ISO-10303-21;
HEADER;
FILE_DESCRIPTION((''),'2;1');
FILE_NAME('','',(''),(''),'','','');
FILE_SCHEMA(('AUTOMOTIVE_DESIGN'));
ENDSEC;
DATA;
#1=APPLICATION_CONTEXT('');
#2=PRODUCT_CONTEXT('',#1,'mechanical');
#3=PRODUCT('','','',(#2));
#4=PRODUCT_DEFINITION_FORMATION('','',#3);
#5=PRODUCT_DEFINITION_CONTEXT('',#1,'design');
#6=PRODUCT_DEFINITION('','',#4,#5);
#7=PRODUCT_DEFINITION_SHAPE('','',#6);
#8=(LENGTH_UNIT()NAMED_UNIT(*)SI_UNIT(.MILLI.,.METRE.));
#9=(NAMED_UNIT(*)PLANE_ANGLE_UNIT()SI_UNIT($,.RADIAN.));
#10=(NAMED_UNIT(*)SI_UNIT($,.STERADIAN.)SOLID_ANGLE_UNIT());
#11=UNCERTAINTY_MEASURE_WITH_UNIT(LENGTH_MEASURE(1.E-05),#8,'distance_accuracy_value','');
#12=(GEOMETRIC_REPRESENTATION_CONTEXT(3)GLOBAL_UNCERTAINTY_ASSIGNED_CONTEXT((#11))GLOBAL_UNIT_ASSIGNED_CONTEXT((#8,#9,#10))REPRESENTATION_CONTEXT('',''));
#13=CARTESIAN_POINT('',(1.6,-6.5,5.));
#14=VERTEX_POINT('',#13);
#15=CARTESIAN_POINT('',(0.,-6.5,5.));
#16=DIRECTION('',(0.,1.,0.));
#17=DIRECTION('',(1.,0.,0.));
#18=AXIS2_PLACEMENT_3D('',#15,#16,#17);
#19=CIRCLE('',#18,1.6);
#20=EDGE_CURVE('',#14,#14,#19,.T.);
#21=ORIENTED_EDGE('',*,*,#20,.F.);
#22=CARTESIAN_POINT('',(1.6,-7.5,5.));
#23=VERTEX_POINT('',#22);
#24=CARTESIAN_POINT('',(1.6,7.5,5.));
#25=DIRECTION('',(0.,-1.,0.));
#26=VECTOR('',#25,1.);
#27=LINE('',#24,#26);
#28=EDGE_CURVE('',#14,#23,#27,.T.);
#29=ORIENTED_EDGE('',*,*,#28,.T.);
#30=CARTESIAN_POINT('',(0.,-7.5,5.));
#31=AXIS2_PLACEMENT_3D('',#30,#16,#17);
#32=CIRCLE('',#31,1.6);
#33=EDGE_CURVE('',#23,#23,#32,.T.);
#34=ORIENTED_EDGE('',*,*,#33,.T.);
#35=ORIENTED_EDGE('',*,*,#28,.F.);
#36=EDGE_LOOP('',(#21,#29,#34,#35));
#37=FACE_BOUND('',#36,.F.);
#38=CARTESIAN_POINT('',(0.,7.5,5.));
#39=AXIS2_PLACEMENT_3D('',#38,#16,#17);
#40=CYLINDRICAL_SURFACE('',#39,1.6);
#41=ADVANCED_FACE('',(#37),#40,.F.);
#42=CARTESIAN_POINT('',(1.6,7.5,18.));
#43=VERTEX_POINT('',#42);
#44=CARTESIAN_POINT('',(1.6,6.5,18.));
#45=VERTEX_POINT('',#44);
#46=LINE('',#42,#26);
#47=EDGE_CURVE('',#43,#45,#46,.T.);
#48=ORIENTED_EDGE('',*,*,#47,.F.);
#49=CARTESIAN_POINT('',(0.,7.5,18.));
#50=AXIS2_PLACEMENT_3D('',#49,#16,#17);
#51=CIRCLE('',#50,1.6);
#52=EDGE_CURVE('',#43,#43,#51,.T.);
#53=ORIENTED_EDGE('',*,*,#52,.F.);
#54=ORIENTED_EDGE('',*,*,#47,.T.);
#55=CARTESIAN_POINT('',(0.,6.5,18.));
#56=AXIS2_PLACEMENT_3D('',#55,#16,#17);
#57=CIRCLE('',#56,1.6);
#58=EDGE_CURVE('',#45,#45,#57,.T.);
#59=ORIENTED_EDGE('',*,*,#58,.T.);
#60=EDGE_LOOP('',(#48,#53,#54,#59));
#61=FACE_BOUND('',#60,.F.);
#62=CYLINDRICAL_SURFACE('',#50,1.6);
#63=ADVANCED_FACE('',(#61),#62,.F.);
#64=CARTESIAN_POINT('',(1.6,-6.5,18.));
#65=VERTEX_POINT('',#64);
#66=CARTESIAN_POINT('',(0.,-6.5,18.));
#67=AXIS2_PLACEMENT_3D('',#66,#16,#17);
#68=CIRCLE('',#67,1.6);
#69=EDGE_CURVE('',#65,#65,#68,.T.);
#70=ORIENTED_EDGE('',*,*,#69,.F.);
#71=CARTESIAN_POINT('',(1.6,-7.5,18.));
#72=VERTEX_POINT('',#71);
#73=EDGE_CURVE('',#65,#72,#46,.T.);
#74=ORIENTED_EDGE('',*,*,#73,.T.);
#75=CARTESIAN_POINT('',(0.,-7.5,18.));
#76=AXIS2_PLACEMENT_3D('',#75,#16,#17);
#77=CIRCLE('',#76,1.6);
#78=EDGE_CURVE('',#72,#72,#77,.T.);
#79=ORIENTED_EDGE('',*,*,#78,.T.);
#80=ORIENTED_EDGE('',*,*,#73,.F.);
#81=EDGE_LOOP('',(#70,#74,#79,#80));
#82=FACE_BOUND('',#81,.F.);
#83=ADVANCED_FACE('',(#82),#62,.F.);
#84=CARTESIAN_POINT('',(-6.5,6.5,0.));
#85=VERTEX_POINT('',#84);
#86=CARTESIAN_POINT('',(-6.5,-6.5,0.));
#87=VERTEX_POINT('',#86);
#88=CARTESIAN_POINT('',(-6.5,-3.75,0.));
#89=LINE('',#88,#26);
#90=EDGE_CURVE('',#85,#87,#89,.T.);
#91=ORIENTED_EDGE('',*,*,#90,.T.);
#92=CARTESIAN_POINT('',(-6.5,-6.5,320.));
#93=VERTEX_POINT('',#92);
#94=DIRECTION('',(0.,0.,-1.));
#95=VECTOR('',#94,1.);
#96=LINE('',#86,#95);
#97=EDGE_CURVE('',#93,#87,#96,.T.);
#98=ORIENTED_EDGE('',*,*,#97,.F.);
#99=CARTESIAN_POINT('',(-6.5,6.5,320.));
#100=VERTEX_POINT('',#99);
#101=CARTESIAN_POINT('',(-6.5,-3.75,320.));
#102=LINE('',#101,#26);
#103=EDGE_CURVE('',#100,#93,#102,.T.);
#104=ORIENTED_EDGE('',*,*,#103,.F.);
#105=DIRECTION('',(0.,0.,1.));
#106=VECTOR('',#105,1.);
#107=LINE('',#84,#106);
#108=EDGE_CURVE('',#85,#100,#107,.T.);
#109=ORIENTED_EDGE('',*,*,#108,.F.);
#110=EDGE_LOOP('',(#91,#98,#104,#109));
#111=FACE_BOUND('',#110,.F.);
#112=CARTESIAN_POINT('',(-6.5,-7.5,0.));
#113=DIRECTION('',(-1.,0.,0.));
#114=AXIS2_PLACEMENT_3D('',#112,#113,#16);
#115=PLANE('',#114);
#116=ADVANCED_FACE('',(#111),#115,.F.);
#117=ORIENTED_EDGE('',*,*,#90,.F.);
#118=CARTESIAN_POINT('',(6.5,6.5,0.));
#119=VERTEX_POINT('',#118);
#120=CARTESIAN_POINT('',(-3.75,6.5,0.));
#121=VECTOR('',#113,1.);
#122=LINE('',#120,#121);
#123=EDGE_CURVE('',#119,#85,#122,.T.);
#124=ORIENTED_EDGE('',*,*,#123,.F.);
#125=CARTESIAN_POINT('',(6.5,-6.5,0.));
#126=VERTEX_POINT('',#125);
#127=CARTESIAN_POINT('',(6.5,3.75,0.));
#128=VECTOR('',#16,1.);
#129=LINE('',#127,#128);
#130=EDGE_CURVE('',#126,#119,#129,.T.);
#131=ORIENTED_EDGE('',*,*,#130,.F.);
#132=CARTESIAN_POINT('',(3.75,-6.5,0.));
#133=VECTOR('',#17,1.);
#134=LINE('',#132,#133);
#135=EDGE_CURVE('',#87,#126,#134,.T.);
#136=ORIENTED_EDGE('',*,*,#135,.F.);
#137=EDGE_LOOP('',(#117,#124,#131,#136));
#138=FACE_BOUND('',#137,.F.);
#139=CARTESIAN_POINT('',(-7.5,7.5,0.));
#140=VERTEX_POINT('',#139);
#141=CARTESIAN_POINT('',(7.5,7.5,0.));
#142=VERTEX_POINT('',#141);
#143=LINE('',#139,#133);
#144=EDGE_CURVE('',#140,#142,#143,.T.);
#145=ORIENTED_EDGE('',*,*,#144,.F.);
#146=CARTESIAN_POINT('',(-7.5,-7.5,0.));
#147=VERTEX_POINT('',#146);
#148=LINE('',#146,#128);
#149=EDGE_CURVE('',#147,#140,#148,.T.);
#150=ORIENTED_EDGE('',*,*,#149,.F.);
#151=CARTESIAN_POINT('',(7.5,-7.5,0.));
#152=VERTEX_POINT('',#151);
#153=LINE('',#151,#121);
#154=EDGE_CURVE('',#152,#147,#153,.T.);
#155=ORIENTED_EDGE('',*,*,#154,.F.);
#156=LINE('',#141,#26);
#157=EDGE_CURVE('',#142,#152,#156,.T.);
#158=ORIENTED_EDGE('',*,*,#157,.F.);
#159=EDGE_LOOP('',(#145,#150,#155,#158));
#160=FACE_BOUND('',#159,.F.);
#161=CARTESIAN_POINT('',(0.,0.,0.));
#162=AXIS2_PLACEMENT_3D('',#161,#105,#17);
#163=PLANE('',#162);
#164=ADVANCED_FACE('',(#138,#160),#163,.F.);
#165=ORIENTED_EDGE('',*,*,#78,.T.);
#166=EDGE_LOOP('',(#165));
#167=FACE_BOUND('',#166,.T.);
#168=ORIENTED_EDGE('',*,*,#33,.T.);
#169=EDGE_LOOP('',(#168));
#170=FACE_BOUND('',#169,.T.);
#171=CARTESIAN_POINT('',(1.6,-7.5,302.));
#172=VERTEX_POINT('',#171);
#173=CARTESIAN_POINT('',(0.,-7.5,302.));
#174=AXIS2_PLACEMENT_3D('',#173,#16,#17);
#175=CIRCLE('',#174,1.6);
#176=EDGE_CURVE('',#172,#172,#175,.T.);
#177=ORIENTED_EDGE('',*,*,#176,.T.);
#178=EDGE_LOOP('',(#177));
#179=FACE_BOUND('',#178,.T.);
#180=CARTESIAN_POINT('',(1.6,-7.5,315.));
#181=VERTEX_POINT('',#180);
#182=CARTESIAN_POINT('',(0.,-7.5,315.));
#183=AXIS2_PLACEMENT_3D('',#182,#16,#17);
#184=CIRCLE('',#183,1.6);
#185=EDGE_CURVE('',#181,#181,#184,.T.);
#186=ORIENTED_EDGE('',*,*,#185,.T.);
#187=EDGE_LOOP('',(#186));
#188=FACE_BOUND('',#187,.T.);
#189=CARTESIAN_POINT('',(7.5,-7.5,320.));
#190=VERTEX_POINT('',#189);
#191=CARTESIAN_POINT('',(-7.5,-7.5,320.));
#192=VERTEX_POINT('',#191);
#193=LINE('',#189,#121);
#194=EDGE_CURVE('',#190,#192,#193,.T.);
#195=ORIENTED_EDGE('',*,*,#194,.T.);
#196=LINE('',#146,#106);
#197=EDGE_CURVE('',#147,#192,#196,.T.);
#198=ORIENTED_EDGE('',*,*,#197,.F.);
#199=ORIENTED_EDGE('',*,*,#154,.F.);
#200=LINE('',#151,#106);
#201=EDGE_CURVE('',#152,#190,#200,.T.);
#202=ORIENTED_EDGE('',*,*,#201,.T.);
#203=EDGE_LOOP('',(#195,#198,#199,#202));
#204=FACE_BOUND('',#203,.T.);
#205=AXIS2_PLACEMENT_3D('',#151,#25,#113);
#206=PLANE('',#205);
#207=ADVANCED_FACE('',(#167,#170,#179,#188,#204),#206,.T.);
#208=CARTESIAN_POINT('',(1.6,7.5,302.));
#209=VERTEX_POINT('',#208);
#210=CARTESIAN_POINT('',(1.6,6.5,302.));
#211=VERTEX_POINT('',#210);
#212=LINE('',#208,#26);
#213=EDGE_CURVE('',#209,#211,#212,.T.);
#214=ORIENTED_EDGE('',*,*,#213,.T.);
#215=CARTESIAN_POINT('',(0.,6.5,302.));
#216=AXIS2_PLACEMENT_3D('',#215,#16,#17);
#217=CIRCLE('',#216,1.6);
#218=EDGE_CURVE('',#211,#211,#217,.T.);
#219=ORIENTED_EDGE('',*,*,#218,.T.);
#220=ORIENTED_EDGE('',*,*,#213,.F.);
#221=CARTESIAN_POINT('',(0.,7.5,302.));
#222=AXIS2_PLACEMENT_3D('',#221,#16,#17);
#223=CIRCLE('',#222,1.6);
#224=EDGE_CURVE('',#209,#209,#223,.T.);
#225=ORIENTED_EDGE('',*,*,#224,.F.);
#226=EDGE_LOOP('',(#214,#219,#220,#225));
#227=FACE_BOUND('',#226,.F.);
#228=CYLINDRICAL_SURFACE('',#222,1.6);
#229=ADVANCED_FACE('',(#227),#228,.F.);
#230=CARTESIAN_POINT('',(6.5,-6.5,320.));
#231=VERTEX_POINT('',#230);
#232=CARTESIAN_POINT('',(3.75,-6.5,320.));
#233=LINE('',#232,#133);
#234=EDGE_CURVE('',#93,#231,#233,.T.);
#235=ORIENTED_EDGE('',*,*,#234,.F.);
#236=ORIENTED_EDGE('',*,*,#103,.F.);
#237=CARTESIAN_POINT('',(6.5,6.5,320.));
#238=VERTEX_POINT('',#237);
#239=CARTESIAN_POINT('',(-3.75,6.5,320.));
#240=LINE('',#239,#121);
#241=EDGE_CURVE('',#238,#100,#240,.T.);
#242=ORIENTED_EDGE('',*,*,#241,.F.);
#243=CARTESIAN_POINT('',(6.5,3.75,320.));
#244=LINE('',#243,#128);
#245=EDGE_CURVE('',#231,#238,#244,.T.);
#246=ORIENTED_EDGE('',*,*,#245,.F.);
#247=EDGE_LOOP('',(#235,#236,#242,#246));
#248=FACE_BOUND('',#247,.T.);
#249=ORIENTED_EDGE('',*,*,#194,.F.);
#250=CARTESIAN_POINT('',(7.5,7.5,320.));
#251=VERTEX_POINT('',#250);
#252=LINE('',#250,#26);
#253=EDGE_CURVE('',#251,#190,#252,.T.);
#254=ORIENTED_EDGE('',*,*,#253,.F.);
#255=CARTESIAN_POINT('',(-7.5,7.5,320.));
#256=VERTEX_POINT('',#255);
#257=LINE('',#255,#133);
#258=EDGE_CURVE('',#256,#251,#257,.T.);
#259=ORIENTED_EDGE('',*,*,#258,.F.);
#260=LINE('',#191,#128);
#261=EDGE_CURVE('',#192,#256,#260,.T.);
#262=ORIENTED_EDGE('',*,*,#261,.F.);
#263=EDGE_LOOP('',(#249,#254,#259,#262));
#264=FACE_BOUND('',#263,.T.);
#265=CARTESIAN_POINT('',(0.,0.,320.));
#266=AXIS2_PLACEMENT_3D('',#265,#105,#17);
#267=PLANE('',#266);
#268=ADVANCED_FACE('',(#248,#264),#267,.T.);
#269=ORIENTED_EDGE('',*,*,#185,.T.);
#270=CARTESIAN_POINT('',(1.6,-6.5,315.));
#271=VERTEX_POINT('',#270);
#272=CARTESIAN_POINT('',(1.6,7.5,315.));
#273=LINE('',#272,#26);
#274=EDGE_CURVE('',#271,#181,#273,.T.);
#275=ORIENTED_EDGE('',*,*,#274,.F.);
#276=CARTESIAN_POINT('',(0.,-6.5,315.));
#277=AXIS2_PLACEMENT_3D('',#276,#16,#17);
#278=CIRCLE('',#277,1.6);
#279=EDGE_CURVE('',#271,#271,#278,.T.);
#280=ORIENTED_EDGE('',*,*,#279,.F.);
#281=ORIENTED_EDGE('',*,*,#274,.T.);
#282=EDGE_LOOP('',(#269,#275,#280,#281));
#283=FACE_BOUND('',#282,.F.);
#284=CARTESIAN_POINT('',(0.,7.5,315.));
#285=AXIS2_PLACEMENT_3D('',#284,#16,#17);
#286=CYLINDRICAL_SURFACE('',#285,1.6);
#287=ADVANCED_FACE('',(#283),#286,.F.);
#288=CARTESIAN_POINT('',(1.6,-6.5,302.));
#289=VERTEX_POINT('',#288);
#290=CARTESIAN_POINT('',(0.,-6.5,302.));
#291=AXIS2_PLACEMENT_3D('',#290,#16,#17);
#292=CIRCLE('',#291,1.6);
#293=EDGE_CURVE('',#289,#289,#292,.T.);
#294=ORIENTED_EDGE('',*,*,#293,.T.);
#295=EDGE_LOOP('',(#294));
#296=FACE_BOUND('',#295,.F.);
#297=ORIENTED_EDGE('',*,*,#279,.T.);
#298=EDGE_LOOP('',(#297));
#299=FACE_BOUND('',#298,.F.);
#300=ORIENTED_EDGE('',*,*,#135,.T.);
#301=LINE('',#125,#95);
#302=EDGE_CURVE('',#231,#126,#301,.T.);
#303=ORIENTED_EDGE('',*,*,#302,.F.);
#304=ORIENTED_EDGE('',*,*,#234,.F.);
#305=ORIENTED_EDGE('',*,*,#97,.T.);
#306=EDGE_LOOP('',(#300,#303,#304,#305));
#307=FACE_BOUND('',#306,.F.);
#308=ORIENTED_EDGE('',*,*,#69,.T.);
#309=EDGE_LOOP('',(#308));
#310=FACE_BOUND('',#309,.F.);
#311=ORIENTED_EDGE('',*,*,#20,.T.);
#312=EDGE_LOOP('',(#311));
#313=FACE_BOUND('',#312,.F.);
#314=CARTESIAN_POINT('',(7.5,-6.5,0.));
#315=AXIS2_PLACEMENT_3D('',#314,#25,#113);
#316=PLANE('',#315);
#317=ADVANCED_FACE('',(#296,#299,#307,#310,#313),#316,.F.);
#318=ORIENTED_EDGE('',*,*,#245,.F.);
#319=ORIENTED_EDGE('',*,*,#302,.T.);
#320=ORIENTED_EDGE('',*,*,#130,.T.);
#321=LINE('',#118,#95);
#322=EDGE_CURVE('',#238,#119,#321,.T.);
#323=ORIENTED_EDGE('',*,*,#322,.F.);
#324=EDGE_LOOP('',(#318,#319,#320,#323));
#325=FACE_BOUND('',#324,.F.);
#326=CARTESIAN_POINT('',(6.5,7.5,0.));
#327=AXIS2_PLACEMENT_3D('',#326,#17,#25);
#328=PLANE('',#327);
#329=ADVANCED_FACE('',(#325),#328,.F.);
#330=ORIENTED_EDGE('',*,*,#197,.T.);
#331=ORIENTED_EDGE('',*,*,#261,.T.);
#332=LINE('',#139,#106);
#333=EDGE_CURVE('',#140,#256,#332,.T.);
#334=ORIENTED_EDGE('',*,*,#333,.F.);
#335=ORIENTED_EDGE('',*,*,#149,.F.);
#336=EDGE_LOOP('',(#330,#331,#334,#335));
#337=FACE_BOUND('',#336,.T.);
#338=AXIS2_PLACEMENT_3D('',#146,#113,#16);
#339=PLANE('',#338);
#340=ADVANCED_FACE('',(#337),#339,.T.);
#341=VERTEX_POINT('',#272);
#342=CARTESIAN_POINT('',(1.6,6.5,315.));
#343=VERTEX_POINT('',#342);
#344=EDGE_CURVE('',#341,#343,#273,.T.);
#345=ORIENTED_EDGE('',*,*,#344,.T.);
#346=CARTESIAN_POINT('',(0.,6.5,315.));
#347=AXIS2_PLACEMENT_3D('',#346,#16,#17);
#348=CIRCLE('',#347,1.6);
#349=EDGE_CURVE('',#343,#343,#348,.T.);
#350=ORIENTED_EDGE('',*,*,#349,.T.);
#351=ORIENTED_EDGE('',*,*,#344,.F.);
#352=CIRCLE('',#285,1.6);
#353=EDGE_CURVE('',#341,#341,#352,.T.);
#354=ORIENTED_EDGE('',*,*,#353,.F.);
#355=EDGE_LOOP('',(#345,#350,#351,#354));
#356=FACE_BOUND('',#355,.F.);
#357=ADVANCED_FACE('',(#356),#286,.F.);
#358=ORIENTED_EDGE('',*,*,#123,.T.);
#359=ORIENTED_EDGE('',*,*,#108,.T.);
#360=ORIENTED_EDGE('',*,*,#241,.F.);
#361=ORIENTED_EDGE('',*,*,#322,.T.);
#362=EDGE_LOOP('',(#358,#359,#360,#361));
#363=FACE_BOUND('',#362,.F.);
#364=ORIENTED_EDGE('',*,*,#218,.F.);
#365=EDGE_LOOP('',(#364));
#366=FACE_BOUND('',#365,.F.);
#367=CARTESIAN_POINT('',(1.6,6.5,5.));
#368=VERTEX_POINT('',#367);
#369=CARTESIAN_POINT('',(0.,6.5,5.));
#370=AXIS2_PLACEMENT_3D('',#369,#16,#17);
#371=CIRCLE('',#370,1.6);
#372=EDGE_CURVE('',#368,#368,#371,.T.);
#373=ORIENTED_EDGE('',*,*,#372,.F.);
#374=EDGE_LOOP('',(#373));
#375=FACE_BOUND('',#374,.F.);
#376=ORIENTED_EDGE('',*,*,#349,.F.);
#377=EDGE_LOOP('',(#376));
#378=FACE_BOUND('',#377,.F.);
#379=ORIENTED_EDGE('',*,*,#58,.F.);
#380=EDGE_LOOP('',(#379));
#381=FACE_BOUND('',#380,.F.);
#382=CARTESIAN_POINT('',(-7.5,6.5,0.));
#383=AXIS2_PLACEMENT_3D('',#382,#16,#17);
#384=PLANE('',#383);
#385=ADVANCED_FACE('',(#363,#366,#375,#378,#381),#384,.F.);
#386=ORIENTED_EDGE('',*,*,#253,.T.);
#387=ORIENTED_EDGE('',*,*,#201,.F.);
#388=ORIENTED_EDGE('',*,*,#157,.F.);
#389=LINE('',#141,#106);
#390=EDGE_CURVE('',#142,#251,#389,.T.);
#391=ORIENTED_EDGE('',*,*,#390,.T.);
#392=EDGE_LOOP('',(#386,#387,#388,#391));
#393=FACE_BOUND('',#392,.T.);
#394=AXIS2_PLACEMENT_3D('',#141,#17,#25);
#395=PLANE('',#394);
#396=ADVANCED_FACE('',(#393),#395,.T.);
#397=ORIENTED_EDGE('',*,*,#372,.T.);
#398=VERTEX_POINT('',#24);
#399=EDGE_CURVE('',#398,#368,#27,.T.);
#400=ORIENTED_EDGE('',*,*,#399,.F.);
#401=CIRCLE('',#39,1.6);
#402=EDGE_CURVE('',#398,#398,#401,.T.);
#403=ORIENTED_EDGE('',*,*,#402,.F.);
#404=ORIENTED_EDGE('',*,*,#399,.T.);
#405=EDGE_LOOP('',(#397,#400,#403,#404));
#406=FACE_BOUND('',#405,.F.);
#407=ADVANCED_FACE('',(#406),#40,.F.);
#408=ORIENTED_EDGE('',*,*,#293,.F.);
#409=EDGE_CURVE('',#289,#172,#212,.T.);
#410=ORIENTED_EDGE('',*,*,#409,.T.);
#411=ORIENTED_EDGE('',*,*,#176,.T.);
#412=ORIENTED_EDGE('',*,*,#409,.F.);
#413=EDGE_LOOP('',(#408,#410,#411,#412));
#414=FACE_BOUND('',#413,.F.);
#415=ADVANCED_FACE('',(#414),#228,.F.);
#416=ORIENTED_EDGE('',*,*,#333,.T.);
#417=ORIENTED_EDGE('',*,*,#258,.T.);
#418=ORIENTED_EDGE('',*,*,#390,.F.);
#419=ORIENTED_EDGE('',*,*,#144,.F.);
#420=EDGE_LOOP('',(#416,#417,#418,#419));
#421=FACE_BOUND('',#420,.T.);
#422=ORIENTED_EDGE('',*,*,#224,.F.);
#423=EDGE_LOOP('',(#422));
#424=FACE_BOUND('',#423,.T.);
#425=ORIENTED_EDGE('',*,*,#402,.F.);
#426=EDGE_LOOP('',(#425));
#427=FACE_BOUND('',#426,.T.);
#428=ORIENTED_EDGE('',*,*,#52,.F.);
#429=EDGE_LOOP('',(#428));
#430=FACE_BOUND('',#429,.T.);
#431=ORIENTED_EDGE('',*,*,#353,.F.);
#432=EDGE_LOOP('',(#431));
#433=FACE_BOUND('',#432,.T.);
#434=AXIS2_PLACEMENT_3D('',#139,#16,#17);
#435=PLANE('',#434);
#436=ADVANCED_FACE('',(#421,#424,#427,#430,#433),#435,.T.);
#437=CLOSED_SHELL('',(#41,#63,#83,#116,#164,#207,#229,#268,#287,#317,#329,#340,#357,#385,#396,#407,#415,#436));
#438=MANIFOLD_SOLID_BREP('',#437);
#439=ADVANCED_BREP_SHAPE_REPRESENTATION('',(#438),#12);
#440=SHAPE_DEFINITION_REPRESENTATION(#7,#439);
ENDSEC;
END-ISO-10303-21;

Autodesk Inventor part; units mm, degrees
ref_plane "YZ Plane" through (0, 0, 0) normal (1, 0, 0) x (0, 1, 0)
ref_plane "XZ Plane" through (0, 0, 0) normal (0, 1, 0) x (-1, 0, 0)
ref_plane "XY Plane" through (0, 0, 0) normal (0, 0, 1) x (1, 0, 0)
sketch "スケッチ1" plane through (0, 0, 0) normal (0, 0, 1) x (1, 0, 0)
  line L0 (-7.5, 7.5) -> (7.5, 7.5)
  line L1 (7.5, 7.5) -> (7.5, -7.5)
  line L2 (7.5, -7.5) -> (-7.5, -7.5)
  line L3 (-7.5, -7.5) -> (-7.5, 7.5)
  point P0 (0, 0)
  point P1 (-7.5, 0)
  point P2 (0, 7.5)
  dimension "d0" = 15
  dimension "d1" = 15
extrude "押し出し1" add sketch "スケッチ1" along normal blind 320
shell "シェル1" thickness 1 removed faces 2 at (-2.5, -2.5, 0) at (-2.5, -2.5, 320)
sketch "スケッチ2" plane through (-7.5, 7.5, 0) normal (0, 1, 0) x (1, 0, 0)
  circle A0 centre (7.5, -5) radius 1.6
  circle A1 centre (7.5, -18) radius 1.6
  circle A2 centre (7.5, -302) radius 1.6
  circle A3 centre (7.5, -315) radius 1.6
  line L0 (15, 0) -> (0, 0) projected
  line L1 (15, -320) -> (0, -320) projected
  point P0 (7.5, 0)
  point P1 (7.5, 0)
  point P2 (7.5, 0)
  dimension "d5" = 3.2
  dimension "d6" = 3.2
  dimension "d7" = 3.2
  dimension "d8" = 3.2
  dimension "d9" = 5
  dimension "d10" = 13
  dimension "d11" = 5
  dimension "d12" = 13
extrude "押し出し2" cut sketch "スケッチ2" against normal through all
properties part number "pipe_sholder_pitch245deg" material "アルミニウム 6061"
